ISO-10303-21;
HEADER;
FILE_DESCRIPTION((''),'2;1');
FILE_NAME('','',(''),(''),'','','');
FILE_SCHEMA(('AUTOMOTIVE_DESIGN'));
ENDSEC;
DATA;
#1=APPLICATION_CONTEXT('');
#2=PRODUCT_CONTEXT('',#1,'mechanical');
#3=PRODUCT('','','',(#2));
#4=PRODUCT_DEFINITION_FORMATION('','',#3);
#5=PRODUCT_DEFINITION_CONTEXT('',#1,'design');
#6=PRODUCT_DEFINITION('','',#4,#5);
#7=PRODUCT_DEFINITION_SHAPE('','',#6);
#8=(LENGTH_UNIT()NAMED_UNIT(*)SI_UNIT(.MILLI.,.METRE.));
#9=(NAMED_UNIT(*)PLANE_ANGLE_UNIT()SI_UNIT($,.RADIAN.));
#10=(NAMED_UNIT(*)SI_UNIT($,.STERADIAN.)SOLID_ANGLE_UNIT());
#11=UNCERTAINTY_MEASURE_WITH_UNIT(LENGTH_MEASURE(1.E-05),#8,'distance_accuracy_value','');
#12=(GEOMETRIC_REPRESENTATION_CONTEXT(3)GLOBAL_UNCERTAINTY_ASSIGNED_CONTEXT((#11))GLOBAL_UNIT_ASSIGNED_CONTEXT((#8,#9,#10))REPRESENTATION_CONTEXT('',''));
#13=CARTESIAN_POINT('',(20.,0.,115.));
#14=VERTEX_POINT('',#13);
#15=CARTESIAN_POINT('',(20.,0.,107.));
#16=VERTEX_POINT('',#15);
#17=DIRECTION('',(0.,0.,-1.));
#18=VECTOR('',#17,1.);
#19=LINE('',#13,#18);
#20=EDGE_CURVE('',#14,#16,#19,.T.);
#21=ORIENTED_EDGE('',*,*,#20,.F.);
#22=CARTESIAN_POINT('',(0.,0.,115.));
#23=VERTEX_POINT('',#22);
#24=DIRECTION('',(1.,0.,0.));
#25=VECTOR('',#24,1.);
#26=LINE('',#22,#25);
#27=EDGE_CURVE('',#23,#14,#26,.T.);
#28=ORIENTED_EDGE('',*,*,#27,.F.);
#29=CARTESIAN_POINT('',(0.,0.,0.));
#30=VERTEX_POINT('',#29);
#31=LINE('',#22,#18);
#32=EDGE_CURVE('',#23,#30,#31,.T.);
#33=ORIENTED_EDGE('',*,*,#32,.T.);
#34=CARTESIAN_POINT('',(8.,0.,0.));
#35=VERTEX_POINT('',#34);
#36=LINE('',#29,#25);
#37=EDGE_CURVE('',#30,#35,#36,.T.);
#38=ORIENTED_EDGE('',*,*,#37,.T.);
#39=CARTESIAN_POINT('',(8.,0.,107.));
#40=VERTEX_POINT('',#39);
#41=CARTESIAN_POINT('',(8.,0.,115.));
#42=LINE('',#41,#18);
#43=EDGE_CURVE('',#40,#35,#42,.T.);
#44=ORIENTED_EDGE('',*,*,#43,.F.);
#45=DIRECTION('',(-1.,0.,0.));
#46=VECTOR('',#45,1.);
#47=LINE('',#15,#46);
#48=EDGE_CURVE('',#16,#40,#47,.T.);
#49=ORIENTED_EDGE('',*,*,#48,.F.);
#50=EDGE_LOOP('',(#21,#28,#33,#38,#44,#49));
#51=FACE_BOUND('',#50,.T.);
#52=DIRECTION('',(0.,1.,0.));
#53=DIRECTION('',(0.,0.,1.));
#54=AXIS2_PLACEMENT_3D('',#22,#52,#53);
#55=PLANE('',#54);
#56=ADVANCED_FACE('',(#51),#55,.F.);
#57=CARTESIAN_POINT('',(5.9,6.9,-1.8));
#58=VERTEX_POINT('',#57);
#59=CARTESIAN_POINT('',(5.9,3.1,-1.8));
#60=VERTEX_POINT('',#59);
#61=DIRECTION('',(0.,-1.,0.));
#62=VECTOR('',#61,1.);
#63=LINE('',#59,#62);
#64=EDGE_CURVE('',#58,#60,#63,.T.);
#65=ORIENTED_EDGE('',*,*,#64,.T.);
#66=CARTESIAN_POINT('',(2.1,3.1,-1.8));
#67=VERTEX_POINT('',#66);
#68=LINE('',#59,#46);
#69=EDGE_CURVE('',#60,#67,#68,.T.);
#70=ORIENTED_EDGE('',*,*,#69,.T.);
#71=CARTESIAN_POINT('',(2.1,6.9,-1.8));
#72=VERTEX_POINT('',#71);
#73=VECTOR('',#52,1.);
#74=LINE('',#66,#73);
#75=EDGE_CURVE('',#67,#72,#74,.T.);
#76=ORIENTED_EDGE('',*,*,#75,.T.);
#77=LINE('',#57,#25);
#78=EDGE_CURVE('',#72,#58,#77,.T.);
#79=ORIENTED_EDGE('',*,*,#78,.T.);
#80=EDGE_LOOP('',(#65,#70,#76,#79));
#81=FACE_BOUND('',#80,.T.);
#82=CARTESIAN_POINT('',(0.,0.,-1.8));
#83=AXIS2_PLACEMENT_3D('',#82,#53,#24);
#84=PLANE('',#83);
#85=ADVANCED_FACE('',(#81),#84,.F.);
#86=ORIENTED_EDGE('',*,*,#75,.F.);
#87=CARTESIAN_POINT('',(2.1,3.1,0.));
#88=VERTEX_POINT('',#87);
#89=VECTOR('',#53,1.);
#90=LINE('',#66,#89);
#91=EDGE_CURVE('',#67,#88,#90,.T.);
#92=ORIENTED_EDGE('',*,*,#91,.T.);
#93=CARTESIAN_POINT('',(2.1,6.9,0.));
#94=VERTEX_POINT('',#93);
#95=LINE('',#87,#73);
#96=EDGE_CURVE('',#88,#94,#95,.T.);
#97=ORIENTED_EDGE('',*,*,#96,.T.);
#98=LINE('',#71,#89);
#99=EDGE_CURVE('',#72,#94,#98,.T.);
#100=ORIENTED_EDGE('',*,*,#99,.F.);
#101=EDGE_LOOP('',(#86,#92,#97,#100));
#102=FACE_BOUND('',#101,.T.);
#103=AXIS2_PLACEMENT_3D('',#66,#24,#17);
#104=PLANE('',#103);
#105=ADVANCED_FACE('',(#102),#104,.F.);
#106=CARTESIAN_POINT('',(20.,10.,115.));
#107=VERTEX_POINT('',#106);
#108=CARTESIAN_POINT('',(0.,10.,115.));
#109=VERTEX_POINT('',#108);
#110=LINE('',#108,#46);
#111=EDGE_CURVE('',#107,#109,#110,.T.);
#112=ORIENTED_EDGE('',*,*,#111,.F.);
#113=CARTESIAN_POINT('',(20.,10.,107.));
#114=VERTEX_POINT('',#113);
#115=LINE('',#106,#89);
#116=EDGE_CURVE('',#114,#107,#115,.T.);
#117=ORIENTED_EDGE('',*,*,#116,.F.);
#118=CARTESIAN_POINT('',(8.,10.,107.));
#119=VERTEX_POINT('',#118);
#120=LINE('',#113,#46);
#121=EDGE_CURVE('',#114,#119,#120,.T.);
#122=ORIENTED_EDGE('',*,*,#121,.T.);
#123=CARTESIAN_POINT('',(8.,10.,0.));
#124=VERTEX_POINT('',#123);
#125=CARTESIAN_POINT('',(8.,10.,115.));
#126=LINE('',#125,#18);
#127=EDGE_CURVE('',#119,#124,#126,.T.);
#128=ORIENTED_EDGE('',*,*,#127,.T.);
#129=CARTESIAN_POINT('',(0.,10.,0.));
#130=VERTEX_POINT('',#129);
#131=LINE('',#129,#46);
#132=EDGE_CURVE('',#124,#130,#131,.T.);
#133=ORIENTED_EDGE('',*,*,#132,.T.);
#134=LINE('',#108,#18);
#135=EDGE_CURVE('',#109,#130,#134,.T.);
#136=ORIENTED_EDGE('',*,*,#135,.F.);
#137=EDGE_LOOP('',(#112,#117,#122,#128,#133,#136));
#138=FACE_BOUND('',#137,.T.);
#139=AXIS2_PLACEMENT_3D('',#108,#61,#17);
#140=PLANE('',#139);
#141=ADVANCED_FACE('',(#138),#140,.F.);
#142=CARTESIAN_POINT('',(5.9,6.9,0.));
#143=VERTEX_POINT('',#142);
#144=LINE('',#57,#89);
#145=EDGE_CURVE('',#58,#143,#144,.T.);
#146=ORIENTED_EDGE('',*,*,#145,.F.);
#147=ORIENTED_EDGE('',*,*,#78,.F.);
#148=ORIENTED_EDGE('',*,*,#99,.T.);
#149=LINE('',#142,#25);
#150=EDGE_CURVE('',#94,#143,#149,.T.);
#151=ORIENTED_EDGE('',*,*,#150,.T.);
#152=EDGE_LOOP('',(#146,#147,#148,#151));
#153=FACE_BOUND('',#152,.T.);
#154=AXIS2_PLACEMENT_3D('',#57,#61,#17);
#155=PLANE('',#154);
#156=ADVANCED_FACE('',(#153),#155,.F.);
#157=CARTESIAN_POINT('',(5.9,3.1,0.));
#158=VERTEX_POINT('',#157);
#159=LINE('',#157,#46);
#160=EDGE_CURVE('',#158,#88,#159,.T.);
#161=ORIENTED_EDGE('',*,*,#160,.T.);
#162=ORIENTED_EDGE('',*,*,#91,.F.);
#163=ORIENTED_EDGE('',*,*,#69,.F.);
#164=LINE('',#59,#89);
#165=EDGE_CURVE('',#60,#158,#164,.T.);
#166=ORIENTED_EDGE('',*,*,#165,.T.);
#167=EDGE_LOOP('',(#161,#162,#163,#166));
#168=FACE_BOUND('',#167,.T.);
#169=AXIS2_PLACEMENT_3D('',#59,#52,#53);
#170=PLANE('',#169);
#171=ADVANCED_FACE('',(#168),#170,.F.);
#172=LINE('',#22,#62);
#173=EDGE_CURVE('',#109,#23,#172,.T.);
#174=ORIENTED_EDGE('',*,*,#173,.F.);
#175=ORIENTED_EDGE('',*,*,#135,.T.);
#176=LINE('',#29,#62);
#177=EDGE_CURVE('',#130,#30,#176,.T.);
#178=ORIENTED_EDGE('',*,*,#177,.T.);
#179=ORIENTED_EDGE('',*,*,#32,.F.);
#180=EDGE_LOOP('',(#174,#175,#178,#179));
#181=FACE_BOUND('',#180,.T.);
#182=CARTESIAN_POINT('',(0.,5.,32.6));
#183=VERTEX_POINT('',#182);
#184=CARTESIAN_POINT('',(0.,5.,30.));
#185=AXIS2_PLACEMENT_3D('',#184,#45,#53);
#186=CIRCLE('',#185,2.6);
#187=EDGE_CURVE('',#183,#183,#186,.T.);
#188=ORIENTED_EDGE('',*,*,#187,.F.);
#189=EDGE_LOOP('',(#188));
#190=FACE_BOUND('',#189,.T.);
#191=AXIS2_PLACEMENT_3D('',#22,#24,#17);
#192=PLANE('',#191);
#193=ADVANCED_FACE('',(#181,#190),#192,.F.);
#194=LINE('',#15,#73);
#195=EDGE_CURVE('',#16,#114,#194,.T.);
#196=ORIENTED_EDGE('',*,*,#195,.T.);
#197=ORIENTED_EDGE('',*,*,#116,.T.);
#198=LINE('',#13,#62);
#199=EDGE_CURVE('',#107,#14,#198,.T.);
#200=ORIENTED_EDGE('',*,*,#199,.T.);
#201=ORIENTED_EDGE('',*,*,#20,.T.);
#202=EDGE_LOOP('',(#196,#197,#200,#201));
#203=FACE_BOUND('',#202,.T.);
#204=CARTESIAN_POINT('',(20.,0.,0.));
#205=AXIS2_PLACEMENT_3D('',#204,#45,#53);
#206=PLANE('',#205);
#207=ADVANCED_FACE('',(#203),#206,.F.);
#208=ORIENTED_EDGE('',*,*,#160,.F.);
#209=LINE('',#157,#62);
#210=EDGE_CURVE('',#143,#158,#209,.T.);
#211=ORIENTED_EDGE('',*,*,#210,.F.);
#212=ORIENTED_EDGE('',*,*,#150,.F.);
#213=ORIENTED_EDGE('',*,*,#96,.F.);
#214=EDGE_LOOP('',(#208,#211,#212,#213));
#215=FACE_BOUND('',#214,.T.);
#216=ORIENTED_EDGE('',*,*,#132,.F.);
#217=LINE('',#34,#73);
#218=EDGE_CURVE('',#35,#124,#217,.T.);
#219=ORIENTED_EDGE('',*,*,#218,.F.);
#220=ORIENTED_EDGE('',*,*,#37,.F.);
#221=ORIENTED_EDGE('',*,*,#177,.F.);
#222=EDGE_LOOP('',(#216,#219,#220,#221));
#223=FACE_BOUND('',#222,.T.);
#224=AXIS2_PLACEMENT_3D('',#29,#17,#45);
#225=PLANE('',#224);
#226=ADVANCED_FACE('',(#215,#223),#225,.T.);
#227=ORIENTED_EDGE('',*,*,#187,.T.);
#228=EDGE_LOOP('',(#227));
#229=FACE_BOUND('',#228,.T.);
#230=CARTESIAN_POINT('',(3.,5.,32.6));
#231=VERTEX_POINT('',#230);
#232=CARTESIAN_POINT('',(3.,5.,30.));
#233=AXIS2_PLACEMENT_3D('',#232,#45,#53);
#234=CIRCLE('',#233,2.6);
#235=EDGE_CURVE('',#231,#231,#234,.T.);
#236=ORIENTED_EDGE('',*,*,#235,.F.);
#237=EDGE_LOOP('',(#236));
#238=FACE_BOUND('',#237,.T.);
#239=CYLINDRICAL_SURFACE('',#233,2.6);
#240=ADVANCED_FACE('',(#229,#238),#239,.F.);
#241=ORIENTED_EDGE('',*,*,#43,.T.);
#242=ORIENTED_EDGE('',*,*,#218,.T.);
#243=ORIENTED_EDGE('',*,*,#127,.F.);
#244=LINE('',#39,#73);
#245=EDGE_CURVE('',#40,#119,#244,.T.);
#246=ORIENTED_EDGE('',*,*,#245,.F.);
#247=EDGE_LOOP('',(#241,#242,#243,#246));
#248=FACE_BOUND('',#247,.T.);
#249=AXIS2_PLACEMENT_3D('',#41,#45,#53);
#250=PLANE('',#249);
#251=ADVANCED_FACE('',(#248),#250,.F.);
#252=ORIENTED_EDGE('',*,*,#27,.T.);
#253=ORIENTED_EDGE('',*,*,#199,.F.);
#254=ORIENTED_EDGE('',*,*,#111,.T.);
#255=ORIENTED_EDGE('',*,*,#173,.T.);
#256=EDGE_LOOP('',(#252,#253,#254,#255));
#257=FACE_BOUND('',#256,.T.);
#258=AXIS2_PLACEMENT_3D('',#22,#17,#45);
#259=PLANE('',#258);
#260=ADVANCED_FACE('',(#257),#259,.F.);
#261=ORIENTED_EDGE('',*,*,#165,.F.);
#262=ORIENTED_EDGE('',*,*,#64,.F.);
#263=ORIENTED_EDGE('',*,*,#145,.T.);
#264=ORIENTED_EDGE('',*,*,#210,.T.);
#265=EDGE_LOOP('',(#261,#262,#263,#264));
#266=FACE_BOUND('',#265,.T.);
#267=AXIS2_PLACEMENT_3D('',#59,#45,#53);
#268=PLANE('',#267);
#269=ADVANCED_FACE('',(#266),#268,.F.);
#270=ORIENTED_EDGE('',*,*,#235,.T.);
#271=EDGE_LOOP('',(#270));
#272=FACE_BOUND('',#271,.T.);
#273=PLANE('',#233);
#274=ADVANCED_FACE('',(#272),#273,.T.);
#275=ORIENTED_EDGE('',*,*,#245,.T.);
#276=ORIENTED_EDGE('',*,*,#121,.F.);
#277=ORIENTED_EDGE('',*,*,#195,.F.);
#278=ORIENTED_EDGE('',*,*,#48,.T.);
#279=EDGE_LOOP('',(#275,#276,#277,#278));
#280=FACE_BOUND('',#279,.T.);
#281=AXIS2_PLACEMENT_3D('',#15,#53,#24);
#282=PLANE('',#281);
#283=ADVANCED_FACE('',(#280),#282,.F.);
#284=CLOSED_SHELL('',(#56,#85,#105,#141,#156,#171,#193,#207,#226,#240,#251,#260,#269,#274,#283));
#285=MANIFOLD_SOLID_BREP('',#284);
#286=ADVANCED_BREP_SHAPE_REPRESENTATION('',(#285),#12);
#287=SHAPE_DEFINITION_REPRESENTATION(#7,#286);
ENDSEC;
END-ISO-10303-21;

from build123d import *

# Parameters (mm, degrees)
SKETCH1_W           = 8
SKETCH1_H           = 10
BOSS_EXTRUDE1_DEPTH = 115
SKETCH2_W           = 3.8
SKETCH2_H           = 3.8
BOSS_EXTRUDE2_DEPTH = 1.8
SKETCH4_W           = 8
SKETCH4_H           = 10
BOSS_EXTRUDE4_DEPTH = 12
SKETCH5_R           = 2.6
CUT_EXTRUDE1_DEPTH  = 3


with BuildPart() as part:
    # Sketch1 → Boss-Extrude1 (new body)
    with BuildSketch(Plane.XY):
        with Locations((4, 5)):
            Rectangle(SKETCH1_W, SKETCH1_H)
    extrude(amount=BOSS_EXTRUDE1_DEPTH)

    # Sketch2 → Boss-Extrude2 (add)
    with BuildSketch(Plane(origin=(0, 0, 0), x_dir=(-1, 0, 0), z_dir=(0, 0, -1))):
        with Locations((-4, 5)):
            Rectangle(SKETCH2_W, SKETCH2_H)
    extrude(amount=BOSS_EXTRUDE2_DEPTH)

    # Sketch4 → Boss-Extrude4 (add)
    with BuildSketch(Plane(origin=(8, 0, 0), x_dir=(0, 0, -1), z_dir=(1, 0, 0))):
        with Locations((-111, 5)):
            Rectangle(SKETCH4_W, SKETCH4_H)
    extrude(amount=BOSS_EXTRUDE4_DEPTH)

    # Sketch5 → Cut-Extrude1 (cut)
    with BuildSketch(Plane.ZY):
        with Locations((30, 5)):
            Circle(SKETCH5_R)
    extrude(amount=-CUT_EXTRUDE1_DEPTH, mode=Mode.SUBTRACT)


solid = part.part
